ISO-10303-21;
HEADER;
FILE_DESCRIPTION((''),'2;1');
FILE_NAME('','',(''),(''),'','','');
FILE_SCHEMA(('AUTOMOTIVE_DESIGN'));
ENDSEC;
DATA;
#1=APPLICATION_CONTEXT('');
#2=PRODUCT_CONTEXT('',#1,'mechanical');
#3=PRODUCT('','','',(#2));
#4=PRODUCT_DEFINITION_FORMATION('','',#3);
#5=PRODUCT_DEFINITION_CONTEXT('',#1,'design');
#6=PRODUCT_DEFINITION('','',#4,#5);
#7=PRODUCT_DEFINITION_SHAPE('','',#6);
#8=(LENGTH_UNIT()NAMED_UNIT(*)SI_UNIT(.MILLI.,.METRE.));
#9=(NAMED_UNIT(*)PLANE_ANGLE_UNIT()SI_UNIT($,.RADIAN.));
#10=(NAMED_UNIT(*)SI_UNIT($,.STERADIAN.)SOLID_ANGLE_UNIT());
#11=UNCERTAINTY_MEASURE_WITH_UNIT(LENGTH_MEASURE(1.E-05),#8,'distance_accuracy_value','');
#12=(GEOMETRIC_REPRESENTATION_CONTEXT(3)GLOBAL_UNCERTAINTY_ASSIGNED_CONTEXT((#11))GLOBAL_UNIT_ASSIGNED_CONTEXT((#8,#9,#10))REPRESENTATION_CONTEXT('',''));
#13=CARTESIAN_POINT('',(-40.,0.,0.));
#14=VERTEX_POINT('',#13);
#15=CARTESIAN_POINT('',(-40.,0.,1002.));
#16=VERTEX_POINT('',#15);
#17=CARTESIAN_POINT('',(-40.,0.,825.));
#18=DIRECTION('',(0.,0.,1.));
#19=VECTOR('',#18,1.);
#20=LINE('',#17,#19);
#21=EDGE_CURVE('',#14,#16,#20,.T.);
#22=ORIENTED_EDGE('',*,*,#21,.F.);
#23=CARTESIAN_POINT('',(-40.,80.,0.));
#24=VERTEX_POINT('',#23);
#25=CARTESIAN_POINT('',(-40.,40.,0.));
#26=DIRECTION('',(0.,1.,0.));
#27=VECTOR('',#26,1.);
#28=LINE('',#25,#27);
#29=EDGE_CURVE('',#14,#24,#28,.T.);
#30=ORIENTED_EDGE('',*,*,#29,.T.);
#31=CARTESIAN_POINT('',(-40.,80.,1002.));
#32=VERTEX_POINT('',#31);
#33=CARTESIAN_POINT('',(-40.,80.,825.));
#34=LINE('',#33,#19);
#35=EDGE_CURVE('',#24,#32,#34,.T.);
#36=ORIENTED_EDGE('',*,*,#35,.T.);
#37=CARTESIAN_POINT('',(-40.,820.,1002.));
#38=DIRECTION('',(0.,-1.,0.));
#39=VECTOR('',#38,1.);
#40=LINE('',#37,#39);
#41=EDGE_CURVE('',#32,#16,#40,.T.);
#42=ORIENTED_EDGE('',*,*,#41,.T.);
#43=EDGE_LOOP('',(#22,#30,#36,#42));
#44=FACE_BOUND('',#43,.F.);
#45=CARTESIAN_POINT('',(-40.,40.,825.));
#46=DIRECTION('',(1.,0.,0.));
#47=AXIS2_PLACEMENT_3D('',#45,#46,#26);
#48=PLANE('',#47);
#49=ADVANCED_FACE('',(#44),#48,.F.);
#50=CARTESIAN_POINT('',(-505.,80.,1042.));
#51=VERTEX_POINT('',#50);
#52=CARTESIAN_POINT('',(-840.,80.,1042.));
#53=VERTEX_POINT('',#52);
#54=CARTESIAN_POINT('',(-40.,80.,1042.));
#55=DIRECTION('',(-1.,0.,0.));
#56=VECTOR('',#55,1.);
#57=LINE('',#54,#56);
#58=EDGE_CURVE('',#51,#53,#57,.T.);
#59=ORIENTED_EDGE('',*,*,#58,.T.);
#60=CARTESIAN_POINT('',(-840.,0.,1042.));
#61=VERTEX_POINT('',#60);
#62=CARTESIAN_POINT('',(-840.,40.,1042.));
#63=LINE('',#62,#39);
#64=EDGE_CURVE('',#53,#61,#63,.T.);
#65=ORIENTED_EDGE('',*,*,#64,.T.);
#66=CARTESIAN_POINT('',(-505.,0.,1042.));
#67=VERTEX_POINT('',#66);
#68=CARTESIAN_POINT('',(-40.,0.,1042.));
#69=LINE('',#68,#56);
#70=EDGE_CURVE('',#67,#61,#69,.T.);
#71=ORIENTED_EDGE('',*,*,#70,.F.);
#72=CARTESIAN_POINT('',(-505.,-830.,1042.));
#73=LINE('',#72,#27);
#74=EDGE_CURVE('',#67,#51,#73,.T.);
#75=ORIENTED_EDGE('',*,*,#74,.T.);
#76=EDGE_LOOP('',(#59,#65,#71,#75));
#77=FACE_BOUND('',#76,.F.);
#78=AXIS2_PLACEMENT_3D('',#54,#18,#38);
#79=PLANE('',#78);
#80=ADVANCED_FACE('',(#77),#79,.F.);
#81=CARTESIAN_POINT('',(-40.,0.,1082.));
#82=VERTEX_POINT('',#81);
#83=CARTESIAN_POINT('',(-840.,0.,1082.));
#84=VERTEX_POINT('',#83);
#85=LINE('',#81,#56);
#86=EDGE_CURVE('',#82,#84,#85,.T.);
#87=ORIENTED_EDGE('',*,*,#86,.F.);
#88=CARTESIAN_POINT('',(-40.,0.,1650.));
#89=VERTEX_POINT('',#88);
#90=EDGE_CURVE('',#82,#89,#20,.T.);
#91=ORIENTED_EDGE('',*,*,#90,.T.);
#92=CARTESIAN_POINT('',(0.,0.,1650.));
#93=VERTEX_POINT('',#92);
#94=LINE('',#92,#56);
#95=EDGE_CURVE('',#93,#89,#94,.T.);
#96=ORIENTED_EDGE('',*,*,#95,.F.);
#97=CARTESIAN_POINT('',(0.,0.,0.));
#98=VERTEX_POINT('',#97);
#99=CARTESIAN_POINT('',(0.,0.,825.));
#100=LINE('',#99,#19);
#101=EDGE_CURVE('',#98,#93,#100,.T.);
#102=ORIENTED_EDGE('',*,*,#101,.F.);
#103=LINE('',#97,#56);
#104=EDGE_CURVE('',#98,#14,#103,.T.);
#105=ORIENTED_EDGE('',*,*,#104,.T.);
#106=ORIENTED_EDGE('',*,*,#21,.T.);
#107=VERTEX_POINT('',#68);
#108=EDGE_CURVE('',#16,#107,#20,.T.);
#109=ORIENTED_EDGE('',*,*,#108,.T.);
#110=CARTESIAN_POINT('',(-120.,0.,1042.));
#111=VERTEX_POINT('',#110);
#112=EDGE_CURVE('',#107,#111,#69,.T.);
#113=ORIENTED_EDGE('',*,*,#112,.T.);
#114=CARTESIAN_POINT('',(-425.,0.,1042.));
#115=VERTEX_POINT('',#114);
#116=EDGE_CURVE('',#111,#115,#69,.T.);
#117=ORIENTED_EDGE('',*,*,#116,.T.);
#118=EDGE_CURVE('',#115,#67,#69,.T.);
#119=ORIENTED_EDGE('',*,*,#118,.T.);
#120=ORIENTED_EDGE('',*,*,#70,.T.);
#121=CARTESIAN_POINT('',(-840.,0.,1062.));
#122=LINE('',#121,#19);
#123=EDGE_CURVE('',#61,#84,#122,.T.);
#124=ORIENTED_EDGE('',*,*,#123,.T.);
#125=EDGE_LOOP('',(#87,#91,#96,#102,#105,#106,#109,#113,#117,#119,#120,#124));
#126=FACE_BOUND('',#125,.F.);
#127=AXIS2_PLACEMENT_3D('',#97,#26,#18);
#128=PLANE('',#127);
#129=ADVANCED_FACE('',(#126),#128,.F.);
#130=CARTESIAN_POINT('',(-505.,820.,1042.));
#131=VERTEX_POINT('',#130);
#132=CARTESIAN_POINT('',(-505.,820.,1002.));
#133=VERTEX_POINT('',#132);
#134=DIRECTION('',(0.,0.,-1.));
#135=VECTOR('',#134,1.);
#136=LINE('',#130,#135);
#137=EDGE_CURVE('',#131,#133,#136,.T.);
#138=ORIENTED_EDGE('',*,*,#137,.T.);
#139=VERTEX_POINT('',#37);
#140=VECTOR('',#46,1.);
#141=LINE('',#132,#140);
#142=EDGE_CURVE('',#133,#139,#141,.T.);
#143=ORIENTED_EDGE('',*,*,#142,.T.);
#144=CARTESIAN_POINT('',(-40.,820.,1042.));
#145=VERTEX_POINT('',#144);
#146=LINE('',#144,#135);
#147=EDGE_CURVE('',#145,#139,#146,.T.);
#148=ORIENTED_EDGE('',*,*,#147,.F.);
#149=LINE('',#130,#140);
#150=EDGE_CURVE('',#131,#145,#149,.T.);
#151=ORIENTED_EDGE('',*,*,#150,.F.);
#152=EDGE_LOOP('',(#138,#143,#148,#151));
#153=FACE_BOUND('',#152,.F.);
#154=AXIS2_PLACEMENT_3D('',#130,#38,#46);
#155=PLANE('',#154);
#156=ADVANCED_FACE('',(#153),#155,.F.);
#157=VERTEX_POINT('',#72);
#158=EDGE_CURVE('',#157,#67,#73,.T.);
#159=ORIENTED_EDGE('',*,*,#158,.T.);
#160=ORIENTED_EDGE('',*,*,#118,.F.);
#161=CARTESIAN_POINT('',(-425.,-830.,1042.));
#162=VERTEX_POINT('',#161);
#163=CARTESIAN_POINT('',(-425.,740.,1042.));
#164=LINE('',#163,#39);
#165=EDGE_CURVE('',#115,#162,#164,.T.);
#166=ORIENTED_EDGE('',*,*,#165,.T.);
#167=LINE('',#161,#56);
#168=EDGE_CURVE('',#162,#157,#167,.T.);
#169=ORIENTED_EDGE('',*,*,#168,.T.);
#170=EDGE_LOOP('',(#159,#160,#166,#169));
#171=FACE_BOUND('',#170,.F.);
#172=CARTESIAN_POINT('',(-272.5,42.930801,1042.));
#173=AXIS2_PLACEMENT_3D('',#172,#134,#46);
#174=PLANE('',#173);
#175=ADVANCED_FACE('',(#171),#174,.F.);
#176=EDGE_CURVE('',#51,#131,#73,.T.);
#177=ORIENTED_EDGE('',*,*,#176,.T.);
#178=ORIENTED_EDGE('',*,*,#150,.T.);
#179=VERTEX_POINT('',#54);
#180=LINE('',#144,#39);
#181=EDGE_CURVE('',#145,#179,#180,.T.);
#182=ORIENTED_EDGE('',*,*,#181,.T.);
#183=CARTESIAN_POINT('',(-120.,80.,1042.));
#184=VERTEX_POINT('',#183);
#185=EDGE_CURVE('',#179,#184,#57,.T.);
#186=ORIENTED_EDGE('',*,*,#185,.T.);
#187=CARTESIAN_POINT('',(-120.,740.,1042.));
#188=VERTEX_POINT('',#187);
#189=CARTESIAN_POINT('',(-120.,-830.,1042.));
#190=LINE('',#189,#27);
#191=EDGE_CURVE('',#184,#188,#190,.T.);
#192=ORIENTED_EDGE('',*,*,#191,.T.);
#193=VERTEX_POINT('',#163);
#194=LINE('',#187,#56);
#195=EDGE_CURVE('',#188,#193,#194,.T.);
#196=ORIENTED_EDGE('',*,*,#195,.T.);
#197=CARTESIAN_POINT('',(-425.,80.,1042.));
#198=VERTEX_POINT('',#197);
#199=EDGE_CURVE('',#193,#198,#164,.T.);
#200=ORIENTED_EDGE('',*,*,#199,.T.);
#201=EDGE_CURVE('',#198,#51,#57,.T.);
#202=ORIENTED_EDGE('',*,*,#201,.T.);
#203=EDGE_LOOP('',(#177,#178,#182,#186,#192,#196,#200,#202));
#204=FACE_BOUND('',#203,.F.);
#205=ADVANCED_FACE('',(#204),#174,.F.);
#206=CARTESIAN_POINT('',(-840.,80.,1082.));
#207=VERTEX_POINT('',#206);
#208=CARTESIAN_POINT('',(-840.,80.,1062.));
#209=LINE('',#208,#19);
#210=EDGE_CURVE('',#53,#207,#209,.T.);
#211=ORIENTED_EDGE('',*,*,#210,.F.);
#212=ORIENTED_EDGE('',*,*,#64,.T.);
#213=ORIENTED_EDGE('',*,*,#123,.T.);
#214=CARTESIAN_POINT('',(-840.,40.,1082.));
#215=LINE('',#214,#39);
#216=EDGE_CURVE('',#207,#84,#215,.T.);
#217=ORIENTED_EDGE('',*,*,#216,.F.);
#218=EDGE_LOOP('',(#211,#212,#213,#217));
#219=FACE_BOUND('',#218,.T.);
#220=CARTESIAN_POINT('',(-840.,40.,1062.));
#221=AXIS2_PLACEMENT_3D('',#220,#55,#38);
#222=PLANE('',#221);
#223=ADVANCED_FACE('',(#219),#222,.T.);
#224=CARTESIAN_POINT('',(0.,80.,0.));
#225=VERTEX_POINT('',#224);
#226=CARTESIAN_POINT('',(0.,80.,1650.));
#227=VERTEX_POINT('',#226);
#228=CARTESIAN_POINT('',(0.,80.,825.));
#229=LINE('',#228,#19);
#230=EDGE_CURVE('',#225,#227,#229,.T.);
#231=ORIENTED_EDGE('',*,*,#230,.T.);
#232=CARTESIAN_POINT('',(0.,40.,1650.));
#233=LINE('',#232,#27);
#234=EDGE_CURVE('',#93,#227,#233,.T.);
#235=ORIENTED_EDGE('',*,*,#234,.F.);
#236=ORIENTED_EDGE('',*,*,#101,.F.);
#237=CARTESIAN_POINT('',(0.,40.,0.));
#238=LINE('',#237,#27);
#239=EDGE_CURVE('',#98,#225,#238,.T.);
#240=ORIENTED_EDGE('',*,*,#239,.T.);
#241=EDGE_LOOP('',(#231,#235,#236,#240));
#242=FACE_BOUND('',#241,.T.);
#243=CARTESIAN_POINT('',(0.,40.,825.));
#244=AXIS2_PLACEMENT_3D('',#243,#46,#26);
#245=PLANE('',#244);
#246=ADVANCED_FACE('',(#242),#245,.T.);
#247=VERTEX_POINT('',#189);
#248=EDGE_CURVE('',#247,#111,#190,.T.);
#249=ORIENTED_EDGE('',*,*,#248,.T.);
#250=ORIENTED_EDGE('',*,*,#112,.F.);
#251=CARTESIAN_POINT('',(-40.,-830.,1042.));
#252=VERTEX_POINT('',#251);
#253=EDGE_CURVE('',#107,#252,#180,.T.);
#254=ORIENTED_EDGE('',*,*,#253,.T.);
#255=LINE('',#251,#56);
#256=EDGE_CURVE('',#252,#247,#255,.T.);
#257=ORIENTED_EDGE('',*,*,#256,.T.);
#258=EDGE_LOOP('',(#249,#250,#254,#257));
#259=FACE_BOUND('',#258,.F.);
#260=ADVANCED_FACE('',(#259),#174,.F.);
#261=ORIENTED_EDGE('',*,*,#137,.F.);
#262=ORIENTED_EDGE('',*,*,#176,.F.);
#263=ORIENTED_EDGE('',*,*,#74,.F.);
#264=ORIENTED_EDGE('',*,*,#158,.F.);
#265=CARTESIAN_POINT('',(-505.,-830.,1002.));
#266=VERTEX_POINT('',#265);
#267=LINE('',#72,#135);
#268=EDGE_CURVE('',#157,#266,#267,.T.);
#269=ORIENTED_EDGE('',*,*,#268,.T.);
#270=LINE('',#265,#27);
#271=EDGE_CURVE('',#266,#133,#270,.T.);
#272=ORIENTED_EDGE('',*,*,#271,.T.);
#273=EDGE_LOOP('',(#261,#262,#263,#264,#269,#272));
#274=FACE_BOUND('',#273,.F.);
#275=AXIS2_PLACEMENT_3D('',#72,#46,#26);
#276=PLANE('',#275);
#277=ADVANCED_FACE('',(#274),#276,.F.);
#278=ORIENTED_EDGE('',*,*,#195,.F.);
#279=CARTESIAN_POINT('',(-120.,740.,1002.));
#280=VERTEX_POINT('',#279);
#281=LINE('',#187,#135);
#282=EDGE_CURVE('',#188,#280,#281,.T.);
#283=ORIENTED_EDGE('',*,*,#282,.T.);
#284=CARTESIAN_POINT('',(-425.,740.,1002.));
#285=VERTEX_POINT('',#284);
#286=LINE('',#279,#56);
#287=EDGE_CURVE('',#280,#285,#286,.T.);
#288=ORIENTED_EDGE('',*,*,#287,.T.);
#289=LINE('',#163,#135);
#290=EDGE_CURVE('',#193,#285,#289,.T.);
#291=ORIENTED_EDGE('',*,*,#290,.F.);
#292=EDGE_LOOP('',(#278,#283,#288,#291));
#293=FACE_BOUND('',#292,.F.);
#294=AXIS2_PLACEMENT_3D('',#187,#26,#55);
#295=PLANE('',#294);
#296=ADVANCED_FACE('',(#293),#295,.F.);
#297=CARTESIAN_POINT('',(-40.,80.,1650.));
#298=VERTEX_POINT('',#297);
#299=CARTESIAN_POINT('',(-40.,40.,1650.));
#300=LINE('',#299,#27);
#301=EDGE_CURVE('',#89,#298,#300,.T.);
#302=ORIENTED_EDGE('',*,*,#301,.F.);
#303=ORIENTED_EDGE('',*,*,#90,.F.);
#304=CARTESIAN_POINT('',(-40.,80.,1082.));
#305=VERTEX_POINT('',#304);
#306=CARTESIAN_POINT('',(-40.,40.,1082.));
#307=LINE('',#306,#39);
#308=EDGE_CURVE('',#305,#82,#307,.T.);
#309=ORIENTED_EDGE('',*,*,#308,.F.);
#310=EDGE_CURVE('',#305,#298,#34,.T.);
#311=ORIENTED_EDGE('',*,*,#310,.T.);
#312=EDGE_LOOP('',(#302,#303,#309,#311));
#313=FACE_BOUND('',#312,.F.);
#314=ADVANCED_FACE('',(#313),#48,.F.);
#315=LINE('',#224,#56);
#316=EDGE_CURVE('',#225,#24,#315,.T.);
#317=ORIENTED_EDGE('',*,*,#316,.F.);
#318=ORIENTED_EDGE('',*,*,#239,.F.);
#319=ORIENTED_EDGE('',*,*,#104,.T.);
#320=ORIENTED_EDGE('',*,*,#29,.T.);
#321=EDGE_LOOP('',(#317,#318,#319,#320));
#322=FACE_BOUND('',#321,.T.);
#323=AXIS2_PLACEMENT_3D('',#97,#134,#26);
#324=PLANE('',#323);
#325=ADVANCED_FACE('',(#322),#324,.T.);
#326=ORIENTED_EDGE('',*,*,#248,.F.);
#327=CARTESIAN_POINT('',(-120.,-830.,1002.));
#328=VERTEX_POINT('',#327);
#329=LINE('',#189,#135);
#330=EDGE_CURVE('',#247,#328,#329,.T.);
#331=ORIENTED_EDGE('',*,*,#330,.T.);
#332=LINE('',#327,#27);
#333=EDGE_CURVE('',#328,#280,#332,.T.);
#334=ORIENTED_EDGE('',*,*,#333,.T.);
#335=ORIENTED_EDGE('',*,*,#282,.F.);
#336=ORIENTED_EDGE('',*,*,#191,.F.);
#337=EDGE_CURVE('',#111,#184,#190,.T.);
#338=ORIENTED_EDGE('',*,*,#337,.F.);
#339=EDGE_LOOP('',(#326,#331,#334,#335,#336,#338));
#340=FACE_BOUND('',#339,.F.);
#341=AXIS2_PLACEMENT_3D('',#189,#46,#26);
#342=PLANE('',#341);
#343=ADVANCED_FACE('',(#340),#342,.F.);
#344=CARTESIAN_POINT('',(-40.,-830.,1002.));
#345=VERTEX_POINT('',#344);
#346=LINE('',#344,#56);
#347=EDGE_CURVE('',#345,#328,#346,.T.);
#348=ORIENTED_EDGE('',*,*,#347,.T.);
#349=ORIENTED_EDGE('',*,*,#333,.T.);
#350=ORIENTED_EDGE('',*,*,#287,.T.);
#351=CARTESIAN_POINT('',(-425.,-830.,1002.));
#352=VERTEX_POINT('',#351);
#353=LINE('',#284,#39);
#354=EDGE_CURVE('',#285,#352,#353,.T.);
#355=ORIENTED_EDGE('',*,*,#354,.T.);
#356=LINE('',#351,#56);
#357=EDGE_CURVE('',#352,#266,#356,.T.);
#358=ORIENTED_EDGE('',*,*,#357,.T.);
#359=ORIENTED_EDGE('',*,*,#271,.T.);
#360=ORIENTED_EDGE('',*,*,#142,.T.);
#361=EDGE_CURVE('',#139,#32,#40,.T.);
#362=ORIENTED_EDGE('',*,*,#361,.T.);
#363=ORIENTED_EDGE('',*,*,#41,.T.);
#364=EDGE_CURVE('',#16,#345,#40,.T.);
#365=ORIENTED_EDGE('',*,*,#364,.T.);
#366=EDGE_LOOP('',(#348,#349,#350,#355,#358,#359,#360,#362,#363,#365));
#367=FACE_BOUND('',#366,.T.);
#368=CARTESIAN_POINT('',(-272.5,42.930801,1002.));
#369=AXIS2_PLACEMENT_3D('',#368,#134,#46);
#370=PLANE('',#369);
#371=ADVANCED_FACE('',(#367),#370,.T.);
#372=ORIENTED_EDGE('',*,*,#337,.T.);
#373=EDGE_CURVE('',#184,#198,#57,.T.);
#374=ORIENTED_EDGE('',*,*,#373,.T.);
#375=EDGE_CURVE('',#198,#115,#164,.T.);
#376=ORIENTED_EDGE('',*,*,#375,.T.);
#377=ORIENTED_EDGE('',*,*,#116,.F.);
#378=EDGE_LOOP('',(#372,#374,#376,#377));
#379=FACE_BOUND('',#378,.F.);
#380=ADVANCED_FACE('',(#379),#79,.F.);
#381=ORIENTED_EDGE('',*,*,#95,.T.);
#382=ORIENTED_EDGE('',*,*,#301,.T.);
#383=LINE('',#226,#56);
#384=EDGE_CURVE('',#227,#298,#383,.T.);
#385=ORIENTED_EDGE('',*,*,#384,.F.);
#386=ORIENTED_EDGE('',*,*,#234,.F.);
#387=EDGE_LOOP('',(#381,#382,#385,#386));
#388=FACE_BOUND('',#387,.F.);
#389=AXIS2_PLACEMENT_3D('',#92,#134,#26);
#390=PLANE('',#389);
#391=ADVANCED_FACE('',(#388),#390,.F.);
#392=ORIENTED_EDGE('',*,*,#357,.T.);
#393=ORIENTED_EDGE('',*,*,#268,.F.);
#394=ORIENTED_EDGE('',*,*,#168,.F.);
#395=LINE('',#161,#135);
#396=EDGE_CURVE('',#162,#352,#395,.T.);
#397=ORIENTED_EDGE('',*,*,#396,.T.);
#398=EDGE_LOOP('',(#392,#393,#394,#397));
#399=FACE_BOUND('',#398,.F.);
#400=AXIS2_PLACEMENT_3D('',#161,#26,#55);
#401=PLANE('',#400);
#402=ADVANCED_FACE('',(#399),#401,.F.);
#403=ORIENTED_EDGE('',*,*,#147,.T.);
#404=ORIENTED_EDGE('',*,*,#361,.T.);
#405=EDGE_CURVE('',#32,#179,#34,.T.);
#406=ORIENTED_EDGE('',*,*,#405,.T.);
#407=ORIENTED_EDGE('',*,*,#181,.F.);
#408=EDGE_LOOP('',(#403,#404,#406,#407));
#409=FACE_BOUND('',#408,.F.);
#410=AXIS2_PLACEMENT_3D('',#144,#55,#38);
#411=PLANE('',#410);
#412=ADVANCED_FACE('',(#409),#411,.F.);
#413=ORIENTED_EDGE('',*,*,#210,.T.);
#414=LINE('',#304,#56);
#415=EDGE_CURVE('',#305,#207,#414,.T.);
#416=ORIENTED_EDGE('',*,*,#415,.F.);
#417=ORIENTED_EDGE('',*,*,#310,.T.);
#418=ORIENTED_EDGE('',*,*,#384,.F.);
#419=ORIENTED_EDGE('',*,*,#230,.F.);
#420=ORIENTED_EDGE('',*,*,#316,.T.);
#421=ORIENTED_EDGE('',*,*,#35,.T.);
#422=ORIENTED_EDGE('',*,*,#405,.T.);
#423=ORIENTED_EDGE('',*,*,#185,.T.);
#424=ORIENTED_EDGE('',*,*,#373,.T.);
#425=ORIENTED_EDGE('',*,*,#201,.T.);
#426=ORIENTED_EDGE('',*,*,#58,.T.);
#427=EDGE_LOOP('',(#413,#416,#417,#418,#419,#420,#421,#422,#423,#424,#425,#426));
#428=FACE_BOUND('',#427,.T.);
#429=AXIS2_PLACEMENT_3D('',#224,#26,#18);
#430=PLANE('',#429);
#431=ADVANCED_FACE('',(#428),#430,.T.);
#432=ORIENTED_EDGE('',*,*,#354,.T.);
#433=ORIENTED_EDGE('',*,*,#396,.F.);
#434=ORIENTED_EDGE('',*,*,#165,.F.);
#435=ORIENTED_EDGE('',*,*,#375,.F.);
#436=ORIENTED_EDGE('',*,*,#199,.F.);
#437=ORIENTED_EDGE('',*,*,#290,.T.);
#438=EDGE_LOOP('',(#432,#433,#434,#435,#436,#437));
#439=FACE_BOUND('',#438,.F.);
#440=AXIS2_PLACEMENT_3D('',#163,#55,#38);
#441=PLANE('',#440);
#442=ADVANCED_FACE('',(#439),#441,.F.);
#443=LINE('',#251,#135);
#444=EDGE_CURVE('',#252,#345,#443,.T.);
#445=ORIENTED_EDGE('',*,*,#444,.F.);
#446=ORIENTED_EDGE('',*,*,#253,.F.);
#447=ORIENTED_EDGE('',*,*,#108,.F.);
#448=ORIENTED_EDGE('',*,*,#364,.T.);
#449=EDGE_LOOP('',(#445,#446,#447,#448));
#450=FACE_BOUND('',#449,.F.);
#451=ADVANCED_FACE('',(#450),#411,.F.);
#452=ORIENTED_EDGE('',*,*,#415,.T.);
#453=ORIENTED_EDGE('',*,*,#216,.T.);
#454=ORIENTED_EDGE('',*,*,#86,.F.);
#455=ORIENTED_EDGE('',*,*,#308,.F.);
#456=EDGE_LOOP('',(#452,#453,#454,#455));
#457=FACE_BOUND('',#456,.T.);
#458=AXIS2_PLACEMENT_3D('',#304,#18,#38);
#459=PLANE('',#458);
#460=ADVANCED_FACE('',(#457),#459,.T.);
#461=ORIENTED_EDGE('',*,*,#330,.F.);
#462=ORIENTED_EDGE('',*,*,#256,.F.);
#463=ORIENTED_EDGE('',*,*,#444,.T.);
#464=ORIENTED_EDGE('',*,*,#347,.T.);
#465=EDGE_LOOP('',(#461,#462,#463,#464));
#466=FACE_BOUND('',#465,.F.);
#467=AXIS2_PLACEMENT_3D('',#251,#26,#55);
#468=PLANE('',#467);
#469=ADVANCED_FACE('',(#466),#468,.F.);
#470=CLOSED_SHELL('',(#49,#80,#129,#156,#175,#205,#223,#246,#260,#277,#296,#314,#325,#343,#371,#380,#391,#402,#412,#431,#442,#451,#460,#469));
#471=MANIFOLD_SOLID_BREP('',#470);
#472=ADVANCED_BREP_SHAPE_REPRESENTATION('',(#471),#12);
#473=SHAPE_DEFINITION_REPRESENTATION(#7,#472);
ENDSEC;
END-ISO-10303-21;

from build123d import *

# Parameters (mm, degrees)
F0_W     = 80
F0_H     = 1650
F1_DEPTH = 40
F2_W     = 80
F2_H     = 40
F3_DEPTH = 800
F5_DEPTH = 40


with BuildPart() as f1:
    # F0 (on Right) → F1 (new body)
    with BuildSketch(Plane.YZ):
        with Locations((40, 825)):
            Rectangle(F0_W, F0_H)
    extrude(amount=-F1_DEPTH)

    # F2 (on face) → F3 (join)
    with BuildSketch(Plane(origin=(-40, 0, 0), x_dir=(0, -1, 0), z_dir=(-1, 0, 0))):
        with Locations((-40, 1062)):
            Rectangle(F2_W, F2_H)
    extrude(amount=F3_DEPTH)

    # F4 (on face) → F5 (join)
    with BuildSketch(Plane(origin=(0, 0, 1042), x_dir=(1, 0, 0), z_dir=(0, 0, -1))):
        Polygon((-40, -820), (-40, 830), (-120, 830), (-120, -740), (-425, -740), (-425, 830), (-505, 830), (-505, -820), align=None)
    extrude(amount=F5_DEPTH)


solid = f1.part
